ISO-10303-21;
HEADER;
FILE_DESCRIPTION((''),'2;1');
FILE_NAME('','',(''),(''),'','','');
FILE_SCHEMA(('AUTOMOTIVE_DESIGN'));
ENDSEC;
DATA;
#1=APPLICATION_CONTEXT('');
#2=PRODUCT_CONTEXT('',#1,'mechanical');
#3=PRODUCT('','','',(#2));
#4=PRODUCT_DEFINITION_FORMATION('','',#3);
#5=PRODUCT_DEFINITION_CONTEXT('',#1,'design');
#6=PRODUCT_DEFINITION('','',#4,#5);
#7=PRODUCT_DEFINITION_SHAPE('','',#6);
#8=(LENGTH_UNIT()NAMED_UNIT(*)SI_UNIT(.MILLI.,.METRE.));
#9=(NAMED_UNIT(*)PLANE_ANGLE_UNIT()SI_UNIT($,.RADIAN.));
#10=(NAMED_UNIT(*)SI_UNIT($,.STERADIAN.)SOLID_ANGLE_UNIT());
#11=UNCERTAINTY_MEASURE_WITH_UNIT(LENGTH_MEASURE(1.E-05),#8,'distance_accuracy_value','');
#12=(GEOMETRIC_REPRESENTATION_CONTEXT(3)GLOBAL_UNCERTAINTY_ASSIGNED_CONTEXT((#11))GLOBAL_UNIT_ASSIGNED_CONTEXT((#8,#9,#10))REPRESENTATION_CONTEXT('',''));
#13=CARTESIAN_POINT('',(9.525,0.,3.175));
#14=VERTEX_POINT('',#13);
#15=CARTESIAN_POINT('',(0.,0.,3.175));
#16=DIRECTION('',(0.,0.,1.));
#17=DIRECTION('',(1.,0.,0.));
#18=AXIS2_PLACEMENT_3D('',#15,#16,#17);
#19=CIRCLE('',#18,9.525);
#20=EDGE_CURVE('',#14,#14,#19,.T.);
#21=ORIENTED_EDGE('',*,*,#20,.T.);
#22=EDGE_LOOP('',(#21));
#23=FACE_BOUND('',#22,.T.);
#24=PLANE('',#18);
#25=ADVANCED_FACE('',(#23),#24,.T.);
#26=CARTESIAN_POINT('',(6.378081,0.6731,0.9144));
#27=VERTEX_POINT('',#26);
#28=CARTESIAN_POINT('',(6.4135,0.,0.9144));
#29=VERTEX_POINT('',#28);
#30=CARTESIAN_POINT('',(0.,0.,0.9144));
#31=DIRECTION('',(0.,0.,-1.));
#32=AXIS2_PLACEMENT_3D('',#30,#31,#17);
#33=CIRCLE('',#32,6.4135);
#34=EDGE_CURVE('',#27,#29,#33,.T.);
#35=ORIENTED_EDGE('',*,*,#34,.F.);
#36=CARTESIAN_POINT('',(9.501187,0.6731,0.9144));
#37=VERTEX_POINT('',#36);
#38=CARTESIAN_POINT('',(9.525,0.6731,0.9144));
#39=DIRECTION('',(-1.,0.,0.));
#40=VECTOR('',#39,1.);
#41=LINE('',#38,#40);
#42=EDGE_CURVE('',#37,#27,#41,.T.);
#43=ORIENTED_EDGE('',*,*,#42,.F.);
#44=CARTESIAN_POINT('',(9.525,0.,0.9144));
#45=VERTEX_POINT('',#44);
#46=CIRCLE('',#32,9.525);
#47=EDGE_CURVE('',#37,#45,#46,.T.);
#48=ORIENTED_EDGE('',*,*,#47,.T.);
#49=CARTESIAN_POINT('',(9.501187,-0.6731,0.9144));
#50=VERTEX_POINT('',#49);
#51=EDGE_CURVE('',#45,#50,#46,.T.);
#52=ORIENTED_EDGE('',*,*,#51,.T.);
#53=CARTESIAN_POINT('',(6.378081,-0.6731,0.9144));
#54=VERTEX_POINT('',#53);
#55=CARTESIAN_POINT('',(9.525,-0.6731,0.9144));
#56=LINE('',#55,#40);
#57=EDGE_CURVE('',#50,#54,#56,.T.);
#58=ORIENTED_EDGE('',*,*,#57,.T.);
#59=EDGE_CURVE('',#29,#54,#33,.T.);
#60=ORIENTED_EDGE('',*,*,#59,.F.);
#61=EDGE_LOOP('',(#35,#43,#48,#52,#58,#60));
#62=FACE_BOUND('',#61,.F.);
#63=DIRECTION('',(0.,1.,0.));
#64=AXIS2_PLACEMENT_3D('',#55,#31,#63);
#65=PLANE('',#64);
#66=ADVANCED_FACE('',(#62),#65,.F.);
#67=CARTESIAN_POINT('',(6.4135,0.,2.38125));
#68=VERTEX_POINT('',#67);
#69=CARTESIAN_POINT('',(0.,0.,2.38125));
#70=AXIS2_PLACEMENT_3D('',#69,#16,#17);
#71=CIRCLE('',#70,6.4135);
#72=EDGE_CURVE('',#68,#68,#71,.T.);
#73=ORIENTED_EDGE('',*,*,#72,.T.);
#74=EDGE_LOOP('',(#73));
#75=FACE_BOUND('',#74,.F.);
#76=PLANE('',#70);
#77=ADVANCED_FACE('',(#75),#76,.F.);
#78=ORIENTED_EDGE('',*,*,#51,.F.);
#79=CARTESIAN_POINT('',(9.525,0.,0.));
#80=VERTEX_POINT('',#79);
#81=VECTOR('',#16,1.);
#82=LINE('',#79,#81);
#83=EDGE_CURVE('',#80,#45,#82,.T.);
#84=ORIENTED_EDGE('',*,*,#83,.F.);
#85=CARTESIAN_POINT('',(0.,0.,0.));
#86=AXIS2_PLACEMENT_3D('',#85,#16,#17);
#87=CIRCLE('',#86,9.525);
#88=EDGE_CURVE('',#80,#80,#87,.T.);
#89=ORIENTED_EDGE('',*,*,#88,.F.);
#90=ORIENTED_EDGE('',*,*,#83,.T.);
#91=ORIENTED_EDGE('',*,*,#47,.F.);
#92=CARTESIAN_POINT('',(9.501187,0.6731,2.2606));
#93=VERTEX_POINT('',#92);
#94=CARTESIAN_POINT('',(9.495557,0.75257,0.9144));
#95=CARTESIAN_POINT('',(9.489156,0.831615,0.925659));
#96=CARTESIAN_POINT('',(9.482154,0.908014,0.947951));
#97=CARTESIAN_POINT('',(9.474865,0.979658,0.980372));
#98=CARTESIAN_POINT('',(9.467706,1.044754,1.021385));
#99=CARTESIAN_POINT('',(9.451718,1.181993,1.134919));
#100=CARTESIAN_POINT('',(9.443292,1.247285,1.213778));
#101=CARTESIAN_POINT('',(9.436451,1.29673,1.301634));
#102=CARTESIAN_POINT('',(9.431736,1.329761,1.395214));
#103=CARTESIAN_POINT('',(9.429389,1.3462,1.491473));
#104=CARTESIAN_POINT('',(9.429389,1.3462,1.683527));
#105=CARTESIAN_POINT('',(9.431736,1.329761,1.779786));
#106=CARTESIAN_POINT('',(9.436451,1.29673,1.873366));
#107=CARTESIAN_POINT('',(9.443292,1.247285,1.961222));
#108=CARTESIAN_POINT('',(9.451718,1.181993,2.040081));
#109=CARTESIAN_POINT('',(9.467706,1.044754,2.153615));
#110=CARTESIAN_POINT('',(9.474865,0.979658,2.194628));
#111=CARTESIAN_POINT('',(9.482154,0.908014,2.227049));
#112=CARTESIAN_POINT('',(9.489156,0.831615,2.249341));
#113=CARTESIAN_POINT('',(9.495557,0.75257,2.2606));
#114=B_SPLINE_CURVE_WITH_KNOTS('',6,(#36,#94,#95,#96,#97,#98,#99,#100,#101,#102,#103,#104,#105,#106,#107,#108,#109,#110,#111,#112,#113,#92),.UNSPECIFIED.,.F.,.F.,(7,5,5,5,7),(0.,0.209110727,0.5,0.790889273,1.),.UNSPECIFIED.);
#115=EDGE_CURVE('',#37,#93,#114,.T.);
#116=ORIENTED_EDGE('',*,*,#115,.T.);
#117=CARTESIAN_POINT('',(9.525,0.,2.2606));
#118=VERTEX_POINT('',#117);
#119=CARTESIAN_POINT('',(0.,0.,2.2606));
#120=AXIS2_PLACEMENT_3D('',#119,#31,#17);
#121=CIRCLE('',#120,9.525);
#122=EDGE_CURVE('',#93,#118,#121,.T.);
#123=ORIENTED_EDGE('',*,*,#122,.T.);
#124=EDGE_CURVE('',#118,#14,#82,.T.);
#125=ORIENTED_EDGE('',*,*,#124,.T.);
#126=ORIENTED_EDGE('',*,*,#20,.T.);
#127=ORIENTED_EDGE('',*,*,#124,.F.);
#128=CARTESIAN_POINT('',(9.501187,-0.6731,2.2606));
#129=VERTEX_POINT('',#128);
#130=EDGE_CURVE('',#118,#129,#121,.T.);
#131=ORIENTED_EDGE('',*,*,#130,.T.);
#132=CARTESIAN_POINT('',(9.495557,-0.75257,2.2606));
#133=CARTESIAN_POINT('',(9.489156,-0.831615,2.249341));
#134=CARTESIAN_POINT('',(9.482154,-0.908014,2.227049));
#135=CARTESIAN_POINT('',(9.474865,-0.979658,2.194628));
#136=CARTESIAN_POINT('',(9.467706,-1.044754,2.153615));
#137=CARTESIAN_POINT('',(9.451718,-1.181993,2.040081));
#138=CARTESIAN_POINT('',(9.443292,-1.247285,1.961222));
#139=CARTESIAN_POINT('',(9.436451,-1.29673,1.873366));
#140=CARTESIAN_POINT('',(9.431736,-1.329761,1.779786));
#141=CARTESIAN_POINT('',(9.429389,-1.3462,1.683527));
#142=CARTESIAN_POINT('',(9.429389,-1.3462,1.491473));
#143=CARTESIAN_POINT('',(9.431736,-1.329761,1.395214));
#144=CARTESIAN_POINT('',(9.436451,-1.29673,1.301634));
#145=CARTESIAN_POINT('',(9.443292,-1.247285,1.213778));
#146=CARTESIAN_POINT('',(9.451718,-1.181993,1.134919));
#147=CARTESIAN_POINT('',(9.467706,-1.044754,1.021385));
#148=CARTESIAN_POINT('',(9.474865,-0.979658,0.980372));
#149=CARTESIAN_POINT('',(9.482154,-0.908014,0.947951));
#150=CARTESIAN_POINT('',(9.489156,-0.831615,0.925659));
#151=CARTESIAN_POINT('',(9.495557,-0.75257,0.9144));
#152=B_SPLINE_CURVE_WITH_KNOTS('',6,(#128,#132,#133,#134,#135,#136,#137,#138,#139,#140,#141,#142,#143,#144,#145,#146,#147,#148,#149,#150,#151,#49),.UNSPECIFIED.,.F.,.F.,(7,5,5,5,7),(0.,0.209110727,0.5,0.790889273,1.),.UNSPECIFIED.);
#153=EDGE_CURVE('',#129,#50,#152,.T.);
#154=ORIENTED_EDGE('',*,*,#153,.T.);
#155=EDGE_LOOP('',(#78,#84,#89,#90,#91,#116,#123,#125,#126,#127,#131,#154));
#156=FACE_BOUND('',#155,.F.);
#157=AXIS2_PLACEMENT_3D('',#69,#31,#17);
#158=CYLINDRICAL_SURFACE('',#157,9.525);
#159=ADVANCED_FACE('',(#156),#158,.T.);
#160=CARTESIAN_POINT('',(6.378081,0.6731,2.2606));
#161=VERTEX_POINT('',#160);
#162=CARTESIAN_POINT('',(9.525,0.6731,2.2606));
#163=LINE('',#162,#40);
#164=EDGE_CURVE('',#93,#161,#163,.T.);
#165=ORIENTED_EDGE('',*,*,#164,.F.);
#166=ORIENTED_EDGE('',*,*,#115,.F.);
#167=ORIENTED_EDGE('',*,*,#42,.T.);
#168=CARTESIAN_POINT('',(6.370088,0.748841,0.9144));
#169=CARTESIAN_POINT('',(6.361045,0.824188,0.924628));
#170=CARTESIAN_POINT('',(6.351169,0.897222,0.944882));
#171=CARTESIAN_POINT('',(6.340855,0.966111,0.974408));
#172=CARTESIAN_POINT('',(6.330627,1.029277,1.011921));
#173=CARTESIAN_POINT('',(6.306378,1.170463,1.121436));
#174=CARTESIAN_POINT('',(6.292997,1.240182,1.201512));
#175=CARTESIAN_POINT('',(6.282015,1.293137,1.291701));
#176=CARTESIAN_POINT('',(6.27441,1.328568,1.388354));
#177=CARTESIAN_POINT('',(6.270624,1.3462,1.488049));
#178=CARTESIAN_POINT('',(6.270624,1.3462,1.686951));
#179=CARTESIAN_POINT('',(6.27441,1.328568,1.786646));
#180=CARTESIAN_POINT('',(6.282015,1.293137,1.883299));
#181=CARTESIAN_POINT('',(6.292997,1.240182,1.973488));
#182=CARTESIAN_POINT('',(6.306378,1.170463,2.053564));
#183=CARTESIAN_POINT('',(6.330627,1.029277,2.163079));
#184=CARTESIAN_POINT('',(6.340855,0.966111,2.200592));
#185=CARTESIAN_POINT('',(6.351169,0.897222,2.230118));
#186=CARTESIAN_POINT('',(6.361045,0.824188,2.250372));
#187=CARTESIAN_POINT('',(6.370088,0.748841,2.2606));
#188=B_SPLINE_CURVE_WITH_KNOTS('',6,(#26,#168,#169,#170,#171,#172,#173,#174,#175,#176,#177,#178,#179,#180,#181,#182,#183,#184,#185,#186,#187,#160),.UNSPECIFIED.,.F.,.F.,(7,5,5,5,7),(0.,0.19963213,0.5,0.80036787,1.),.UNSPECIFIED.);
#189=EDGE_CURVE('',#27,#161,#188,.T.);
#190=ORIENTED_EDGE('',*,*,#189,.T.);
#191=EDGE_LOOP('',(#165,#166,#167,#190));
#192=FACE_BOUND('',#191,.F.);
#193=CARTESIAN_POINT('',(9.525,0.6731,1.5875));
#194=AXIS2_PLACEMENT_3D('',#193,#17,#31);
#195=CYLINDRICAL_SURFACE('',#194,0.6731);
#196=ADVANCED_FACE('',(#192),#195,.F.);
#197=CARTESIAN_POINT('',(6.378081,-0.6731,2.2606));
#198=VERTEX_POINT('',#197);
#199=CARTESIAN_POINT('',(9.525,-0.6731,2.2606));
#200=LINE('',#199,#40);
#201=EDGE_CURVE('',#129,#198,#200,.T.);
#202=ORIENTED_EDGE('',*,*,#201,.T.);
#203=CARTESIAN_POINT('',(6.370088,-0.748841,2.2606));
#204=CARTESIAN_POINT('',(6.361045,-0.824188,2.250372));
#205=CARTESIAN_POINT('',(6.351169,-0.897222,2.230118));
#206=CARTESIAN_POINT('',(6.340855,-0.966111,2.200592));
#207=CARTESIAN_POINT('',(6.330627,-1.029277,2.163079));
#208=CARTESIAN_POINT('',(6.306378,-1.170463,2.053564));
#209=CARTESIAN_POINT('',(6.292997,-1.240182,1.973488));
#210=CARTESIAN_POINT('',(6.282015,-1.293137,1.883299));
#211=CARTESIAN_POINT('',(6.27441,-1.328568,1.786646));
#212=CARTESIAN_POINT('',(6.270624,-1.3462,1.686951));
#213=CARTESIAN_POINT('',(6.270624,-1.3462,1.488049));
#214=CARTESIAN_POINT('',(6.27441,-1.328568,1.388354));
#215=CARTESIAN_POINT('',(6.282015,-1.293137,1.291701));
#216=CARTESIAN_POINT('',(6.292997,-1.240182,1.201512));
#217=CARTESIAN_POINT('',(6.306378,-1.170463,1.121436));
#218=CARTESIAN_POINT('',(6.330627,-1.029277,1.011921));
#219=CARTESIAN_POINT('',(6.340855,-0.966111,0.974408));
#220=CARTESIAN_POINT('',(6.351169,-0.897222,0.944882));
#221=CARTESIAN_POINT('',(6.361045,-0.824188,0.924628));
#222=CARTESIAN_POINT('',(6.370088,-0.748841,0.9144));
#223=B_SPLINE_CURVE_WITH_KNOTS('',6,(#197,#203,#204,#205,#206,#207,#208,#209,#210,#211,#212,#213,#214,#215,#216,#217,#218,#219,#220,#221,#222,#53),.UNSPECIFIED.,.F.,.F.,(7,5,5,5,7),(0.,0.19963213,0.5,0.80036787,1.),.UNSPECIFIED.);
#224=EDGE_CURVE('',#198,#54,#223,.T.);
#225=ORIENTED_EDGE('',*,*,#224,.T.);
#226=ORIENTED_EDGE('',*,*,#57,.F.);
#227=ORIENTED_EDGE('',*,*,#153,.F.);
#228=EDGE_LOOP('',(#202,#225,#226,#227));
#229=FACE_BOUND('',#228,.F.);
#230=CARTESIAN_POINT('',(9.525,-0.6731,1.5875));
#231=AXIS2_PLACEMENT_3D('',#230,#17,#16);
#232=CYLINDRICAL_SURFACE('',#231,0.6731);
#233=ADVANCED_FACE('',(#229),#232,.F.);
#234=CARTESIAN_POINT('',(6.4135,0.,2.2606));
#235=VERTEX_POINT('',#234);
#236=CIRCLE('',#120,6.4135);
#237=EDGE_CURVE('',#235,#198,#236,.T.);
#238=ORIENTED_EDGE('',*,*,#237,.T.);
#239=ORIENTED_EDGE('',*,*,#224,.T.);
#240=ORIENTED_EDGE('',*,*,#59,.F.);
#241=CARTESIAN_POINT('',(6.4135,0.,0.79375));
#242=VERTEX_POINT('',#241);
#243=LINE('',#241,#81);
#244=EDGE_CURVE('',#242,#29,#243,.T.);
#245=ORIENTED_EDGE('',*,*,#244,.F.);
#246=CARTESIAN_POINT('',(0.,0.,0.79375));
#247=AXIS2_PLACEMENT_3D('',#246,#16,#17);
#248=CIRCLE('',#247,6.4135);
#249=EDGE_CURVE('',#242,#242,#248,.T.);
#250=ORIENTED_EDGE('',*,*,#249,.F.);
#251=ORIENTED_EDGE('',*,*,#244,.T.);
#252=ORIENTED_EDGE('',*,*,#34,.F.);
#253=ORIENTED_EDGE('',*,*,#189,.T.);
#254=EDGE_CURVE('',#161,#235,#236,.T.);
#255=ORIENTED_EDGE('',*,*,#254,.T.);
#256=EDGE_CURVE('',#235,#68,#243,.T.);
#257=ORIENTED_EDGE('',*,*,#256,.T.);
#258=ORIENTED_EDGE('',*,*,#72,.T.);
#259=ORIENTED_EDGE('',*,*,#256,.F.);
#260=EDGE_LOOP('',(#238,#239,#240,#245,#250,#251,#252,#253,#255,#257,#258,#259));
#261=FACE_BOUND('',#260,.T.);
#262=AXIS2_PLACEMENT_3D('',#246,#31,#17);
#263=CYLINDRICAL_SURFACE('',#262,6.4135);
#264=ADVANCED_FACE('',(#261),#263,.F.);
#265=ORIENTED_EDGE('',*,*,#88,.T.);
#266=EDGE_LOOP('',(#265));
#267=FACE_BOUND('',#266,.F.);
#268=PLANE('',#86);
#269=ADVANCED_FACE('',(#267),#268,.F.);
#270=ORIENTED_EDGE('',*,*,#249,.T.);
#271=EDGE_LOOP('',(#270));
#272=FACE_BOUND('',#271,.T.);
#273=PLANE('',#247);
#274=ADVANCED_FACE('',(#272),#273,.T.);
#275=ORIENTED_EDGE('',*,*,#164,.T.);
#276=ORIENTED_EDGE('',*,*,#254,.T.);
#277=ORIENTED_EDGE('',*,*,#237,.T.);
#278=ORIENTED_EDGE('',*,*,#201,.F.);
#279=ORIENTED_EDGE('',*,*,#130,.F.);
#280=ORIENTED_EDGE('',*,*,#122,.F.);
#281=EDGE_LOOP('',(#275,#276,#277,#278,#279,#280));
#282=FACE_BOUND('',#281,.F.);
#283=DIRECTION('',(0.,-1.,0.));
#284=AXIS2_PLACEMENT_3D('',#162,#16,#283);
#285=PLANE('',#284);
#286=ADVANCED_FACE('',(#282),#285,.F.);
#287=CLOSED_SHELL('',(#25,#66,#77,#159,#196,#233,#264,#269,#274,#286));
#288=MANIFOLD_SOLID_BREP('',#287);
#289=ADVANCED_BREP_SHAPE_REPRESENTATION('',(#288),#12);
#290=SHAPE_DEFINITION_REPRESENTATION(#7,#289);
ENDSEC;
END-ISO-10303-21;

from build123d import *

# Parameters (mm, degrees)
F0_R     = 9.525
F1_DEPTH = 0.79375
F2_R     = 9.525
F2_R_2   = 6.4135
F3_DEPTH = 1.5875
F4_R     = 9.525
F5_DEPTH = 0.79375
F8_DEPTH = 12.7


with BuildPart() as f1:
    # F0 (on Top) → F1 (new body)
    with BuildSketch(Plane.XY):
        Circle(F0_R)
    extrude(amount=F1_DEPTH)

    # F2 (on face) → F3 (join)
    with BuildSketch(Plane.XY.offset(0.79375)):
        Circle(F2_R)
        Circle(F2_R_2, mode=Mode.SUBTRACT)
    extrude(amount=F3_DEPTH)

    # F4 (on face) → F5 (join)
    with BuildSketch(Plane.XY.offset(2.38125)):
        Circle(F4_R)
    extrude(amount=F5_DEPTH)

    # F7 (on offset) → F8 (cut)
    with BuildSketch(Plane.YZ.offset(9.525)):
        with BuildLine():
            Line((0.6731, 2.2606), (-0.6731, 2.2606))
            ThreePointArc((-0.6731, 2.2606), (-1.3462, 1.5875), (-0.6731, 0.9144))
            Line((-0.6731, 0.9144), (0.6731, 0.9144))
            ThreePointArc((0.6731, 0.9144), (1.3462, 1.5875), (0.6731, 2.2606))
        make_face()
    extrude(amount=-F8_DEPTH, mode=Mode.SUBTRACT)


solid = f1.part
